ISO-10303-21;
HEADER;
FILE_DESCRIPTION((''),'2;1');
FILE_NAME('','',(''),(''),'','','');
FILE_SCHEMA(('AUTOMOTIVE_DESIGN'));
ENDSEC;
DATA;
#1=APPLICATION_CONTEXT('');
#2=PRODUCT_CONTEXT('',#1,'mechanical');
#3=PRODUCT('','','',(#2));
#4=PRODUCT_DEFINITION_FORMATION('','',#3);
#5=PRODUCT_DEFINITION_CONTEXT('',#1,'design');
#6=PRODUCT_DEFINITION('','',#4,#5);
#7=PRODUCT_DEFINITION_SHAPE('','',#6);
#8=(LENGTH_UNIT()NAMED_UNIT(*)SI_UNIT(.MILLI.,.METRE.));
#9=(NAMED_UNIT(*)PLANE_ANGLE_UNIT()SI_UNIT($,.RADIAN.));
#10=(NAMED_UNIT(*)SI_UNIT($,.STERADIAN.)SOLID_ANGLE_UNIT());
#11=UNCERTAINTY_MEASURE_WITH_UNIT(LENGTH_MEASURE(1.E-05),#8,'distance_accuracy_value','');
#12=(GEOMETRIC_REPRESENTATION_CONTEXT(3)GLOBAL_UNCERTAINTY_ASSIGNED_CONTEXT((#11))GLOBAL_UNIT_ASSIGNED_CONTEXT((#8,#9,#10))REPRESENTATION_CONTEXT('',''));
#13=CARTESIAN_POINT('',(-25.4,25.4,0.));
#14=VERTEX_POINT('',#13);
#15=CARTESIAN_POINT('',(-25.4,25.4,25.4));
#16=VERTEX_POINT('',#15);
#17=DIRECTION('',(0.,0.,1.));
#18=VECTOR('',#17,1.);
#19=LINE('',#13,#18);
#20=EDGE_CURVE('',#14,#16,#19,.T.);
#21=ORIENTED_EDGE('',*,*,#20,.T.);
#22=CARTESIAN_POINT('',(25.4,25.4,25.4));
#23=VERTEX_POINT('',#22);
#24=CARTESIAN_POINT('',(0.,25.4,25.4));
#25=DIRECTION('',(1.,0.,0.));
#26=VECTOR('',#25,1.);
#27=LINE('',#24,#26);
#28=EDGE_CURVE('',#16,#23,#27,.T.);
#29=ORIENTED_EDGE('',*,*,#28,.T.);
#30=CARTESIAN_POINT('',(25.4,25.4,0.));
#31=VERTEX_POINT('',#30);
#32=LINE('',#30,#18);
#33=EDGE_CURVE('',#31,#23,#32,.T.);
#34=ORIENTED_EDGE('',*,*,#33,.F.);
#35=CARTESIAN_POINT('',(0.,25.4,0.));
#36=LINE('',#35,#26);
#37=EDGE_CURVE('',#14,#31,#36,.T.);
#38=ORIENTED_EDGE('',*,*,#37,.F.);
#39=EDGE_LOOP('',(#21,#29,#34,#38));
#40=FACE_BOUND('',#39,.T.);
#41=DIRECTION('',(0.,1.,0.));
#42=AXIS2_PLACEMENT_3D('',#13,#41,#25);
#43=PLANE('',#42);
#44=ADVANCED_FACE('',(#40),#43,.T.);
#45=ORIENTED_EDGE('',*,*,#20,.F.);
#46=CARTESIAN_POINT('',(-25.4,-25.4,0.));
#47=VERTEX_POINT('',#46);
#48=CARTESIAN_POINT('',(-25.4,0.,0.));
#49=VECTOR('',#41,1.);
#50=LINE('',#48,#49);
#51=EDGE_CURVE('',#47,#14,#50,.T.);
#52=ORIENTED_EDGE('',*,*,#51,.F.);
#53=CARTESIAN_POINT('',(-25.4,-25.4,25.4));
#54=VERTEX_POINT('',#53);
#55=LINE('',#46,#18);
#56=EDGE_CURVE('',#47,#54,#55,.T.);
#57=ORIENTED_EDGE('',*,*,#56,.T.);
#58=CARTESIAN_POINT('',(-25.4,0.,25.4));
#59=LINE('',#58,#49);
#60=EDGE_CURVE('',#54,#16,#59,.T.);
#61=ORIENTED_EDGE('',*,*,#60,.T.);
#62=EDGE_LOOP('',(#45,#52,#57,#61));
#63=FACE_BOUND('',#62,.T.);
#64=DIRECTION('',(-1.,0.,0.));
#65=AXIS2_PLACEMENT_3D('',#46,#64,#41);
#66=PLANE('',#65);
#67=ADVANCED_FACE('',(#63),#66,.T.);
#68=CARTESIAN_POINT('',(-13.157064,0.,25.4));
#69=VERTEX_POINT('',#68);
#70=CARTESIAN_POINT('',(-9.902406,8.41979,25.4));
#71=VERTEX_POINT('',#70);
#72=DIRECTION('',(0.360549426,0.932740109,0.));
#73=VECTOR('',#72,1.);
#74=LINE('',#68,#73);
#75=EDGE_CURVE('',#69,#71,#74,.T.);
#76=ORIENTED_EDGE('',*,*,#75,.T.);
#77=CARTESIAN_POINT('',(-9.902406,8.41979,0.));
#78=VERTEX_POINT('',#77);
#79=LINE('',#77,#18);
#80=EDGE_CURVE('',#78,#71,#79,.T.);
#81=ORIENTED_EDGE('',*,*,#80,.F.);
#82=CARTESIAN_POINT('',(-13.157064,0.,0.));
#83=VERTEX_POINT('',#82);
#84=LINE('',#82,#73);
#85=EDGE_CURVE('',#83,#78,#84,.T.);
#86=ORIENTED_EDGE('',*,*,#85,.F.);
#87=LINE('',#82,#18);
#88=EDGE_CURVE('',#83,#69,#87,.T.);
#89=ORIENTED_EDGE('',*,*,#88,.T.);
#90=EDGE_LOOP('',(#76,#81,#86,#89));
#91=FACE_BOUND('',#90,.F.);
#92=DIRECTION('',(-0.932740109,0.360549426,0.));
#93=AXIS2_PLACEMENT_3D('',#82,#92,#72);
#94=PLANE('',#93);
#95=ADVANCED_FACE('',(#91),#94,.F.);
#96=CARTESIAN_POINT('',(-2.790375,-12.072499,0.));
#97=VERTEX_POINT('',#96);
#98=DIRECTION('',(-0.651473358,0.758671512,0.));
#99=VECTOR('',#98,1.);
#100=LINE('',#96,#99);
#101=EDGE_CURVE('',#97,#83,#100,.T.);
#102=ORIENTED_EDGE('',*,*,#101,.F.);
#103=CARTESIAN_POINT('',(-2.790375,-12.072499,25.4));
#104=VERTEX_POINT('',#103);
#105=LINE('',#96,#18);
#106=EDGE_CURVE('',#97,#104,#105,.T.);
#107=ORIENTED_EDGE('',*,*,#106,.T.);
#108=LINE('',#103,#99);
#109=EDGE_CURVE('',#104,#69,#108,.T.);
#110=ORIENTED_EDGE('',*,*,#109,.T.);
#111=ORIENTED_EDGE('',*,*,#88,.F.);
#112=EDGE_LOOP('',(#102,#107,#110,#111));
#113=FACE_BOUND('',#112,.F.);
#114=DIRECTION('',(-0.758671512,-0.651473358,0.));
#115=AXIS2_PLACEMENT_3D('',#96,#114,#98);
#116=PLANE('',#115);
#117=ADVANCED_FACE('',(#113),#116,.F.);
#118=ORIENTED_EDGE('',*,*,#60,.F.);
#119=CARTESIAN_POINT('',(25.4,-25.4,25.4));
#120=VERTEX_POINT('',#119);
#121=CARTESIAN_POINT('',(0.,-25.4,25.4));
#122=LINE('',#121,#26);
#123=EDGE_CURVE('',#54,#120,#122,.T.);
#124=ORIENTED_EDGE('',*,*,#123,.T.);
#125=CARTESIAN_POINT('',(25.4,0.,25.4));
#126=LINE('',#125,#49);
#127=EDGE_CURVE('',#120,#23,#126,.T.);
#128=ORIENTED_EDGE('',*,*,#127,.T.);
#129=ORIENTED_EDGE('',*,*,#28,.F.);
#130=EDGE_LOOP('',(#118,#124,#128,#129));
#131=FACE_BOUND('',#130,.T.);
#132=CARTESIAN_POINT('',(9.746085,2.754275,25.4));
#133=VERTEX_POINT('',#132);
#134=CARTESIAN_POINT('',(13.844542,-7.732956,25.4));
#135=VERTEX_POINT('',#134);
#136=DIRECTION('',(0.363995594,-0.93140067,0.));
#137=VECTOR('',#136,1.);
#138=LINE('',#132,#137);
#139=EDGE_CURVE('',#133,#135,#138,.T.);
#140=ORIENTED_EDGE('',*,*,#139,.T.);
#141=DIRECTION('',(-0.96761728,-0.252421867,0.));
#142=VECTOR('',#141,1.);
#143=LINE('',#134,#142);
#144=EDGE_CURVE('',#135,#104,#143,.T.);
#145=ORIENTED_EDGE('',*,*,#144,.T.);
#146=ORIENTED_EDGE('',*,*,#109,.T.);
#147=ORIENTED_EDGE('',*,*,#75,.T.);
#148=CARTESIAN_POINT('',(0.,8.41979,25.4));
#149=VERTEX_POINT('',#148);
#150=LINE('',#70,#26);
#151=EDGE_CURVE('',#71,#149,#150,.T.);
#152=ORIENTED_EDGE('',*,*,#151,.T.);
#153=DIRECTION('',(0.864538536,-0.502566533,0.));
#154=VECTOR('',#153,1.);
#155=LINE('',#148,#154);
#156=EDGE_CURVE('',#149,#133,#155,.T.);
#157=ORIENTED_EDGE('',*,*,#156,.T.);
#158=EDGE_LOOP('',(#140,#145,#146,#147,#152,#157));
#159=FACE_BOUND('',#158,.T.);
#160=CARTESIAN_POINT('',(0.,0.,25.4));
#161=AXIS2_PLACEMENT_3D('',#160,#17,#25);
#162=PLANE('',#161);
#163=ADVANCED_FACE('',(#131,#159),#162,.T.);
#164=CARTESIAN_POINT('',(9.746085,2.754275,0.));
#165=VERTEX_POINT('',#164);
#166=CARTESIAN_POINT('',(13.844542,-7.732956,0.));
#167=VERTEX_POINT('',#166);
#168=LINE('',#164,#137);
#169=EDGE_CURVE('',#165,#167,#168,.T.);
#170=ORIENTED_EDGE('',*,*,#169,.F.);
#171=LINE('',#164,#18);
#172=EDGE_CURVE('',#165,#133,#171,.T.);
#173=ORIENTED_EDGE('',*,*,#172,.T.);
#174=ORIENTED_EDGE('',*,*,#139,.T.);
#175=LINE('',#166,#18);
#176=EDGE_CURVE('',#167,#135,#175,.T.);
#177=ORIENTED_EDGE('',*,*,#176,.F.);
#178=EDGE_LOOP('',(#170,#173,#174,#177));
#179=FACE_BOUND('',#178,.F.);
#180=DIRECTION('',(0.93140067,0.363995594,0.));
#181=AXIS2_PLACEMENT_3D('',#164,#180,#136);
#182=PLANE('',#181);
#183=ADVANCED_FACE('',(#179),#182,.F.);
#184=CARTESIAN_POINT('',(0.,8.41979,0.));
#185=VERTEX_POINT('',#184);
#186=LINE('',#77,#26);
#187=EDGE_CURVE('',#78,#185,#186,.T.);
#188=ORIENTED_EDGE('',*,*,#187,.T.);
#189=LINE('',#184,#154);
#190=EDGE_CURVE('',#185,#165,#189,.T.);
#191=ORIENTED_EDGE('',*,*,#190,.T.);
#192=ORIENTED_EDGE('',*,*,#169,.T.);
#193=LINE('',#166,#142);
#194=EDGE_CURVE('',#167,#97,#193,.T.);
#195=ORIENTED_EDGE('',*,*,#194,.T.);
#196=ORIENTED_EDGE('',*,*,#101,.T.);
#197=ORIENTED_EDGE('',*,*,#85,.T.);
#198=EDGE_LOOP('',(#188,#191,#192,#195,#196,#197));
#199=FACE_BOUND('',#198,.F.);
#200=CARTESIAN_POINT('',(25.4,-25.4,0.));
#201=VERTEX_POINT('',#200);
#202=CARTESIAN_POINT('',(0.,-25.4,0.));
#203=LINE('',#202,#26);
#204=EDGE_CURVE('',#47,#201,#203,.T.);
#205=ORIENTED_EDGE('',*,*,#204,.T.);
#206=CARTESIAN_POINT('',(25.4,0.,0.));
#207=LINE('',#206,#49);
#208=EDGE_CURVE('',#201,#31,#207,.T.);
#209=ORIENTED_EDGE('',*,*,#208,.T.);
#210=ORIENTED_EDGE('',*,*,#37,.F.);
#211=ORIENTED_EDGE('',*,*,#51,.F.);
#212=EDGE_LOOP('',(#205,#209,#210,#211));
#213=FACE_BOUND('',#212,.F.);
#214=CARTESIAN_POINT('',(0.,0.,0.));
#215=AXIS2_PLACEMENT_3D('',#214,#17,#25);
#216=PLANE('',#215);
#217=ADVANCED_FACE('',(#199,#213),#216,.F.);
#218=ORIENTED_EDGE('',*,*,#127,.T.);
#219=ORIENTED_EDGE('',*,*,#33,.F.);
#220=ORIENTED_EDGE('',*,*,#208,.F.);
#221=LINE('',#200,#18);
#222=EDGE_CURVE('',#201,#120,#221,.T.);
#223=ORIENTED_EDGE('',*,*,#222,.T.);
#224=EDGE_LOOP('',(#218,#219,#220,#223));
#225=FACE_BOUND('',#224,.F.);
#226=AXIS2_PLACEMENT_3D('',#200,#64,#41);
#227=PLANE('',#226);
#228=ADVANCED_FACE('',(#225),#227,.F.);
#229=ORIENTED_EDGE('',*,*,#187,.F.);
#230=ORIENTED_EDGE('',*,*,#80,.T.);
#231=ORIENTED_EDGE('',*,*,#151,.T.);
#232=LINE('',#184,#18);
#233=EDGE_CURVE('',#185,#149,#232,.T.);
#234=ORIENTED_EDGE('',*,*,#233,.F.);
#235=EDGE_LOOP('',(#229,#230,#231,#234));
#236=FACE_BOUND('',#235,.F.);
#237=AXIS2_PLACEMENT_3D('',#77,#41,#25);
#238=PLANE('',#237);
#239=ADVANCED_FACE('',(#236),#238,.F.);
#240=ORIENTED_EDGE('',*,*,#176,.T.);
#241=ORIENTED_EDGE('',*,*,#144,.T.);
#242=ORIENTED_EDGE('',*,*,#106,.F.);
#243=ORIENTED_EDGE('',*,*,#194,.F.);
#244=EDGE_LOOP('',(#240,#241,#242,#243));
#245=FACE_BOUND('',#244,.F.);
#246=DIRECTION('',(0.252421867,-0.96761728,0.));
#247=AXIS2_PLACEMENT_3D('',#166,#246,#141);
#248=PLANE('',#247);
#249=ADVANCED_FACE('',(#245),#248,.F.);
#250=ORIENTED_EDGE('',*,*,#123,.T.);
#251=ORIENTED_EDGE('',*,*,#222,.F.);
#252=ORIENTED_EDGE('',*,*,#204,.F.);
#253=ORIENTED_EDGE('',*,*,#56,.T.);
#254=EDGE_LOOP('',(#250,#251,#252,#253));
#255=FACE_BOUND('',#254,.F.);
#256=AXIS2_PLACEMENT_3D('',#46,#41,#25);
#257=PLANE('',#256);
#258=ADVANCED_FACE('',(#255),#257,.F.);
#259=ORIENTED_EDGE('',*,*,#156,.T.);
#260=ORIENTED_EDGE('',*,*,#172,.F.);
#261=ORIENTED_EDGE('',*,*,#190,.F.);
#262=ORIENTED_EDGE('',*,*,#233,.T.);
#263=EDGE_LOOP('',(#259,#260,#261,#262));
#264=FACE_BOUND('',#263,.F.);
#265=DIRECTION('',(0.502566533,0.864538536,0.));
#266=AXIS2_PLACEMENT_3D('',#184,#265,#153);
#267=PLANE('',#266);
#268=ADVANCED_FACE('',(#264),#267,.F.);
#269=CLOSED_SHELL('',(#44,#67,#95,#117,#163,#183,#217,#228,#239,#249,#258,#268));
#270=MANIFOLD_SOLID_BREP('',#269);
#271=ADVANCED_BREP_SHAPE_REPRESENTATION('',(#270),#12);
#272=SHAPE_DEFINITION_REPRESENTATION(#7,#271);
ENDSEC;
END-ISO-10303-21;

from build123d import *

# Parameters (mm, degrees)
F0_W     = 50.8
F0_H     = 50.8
F0_R     = 22.225
F1_DEPTH = 25.4


with BuildPart() as f1:
    # F0 (on Top) → F1 (new body)
    with BuildSketch(Plane.XY):
        Rectangle(F0_W, F0_H)
        Circle(F0_R, mode=Mode.SUBTRACT)
        Circle(F0_R)
        Polygon((-2.7903753798, -12.0724989101), (-13.1570640951, 0), (-9.9024055526, 8.4197903052), (0, 8.4197903052), (9.7460849211, 2.7542752214), (13.8445422053, -7.7329557389), align=None, mode=Mode.SUBTRACT)
    extrude(amount=F1_DEPTH)


solid = f1.part
